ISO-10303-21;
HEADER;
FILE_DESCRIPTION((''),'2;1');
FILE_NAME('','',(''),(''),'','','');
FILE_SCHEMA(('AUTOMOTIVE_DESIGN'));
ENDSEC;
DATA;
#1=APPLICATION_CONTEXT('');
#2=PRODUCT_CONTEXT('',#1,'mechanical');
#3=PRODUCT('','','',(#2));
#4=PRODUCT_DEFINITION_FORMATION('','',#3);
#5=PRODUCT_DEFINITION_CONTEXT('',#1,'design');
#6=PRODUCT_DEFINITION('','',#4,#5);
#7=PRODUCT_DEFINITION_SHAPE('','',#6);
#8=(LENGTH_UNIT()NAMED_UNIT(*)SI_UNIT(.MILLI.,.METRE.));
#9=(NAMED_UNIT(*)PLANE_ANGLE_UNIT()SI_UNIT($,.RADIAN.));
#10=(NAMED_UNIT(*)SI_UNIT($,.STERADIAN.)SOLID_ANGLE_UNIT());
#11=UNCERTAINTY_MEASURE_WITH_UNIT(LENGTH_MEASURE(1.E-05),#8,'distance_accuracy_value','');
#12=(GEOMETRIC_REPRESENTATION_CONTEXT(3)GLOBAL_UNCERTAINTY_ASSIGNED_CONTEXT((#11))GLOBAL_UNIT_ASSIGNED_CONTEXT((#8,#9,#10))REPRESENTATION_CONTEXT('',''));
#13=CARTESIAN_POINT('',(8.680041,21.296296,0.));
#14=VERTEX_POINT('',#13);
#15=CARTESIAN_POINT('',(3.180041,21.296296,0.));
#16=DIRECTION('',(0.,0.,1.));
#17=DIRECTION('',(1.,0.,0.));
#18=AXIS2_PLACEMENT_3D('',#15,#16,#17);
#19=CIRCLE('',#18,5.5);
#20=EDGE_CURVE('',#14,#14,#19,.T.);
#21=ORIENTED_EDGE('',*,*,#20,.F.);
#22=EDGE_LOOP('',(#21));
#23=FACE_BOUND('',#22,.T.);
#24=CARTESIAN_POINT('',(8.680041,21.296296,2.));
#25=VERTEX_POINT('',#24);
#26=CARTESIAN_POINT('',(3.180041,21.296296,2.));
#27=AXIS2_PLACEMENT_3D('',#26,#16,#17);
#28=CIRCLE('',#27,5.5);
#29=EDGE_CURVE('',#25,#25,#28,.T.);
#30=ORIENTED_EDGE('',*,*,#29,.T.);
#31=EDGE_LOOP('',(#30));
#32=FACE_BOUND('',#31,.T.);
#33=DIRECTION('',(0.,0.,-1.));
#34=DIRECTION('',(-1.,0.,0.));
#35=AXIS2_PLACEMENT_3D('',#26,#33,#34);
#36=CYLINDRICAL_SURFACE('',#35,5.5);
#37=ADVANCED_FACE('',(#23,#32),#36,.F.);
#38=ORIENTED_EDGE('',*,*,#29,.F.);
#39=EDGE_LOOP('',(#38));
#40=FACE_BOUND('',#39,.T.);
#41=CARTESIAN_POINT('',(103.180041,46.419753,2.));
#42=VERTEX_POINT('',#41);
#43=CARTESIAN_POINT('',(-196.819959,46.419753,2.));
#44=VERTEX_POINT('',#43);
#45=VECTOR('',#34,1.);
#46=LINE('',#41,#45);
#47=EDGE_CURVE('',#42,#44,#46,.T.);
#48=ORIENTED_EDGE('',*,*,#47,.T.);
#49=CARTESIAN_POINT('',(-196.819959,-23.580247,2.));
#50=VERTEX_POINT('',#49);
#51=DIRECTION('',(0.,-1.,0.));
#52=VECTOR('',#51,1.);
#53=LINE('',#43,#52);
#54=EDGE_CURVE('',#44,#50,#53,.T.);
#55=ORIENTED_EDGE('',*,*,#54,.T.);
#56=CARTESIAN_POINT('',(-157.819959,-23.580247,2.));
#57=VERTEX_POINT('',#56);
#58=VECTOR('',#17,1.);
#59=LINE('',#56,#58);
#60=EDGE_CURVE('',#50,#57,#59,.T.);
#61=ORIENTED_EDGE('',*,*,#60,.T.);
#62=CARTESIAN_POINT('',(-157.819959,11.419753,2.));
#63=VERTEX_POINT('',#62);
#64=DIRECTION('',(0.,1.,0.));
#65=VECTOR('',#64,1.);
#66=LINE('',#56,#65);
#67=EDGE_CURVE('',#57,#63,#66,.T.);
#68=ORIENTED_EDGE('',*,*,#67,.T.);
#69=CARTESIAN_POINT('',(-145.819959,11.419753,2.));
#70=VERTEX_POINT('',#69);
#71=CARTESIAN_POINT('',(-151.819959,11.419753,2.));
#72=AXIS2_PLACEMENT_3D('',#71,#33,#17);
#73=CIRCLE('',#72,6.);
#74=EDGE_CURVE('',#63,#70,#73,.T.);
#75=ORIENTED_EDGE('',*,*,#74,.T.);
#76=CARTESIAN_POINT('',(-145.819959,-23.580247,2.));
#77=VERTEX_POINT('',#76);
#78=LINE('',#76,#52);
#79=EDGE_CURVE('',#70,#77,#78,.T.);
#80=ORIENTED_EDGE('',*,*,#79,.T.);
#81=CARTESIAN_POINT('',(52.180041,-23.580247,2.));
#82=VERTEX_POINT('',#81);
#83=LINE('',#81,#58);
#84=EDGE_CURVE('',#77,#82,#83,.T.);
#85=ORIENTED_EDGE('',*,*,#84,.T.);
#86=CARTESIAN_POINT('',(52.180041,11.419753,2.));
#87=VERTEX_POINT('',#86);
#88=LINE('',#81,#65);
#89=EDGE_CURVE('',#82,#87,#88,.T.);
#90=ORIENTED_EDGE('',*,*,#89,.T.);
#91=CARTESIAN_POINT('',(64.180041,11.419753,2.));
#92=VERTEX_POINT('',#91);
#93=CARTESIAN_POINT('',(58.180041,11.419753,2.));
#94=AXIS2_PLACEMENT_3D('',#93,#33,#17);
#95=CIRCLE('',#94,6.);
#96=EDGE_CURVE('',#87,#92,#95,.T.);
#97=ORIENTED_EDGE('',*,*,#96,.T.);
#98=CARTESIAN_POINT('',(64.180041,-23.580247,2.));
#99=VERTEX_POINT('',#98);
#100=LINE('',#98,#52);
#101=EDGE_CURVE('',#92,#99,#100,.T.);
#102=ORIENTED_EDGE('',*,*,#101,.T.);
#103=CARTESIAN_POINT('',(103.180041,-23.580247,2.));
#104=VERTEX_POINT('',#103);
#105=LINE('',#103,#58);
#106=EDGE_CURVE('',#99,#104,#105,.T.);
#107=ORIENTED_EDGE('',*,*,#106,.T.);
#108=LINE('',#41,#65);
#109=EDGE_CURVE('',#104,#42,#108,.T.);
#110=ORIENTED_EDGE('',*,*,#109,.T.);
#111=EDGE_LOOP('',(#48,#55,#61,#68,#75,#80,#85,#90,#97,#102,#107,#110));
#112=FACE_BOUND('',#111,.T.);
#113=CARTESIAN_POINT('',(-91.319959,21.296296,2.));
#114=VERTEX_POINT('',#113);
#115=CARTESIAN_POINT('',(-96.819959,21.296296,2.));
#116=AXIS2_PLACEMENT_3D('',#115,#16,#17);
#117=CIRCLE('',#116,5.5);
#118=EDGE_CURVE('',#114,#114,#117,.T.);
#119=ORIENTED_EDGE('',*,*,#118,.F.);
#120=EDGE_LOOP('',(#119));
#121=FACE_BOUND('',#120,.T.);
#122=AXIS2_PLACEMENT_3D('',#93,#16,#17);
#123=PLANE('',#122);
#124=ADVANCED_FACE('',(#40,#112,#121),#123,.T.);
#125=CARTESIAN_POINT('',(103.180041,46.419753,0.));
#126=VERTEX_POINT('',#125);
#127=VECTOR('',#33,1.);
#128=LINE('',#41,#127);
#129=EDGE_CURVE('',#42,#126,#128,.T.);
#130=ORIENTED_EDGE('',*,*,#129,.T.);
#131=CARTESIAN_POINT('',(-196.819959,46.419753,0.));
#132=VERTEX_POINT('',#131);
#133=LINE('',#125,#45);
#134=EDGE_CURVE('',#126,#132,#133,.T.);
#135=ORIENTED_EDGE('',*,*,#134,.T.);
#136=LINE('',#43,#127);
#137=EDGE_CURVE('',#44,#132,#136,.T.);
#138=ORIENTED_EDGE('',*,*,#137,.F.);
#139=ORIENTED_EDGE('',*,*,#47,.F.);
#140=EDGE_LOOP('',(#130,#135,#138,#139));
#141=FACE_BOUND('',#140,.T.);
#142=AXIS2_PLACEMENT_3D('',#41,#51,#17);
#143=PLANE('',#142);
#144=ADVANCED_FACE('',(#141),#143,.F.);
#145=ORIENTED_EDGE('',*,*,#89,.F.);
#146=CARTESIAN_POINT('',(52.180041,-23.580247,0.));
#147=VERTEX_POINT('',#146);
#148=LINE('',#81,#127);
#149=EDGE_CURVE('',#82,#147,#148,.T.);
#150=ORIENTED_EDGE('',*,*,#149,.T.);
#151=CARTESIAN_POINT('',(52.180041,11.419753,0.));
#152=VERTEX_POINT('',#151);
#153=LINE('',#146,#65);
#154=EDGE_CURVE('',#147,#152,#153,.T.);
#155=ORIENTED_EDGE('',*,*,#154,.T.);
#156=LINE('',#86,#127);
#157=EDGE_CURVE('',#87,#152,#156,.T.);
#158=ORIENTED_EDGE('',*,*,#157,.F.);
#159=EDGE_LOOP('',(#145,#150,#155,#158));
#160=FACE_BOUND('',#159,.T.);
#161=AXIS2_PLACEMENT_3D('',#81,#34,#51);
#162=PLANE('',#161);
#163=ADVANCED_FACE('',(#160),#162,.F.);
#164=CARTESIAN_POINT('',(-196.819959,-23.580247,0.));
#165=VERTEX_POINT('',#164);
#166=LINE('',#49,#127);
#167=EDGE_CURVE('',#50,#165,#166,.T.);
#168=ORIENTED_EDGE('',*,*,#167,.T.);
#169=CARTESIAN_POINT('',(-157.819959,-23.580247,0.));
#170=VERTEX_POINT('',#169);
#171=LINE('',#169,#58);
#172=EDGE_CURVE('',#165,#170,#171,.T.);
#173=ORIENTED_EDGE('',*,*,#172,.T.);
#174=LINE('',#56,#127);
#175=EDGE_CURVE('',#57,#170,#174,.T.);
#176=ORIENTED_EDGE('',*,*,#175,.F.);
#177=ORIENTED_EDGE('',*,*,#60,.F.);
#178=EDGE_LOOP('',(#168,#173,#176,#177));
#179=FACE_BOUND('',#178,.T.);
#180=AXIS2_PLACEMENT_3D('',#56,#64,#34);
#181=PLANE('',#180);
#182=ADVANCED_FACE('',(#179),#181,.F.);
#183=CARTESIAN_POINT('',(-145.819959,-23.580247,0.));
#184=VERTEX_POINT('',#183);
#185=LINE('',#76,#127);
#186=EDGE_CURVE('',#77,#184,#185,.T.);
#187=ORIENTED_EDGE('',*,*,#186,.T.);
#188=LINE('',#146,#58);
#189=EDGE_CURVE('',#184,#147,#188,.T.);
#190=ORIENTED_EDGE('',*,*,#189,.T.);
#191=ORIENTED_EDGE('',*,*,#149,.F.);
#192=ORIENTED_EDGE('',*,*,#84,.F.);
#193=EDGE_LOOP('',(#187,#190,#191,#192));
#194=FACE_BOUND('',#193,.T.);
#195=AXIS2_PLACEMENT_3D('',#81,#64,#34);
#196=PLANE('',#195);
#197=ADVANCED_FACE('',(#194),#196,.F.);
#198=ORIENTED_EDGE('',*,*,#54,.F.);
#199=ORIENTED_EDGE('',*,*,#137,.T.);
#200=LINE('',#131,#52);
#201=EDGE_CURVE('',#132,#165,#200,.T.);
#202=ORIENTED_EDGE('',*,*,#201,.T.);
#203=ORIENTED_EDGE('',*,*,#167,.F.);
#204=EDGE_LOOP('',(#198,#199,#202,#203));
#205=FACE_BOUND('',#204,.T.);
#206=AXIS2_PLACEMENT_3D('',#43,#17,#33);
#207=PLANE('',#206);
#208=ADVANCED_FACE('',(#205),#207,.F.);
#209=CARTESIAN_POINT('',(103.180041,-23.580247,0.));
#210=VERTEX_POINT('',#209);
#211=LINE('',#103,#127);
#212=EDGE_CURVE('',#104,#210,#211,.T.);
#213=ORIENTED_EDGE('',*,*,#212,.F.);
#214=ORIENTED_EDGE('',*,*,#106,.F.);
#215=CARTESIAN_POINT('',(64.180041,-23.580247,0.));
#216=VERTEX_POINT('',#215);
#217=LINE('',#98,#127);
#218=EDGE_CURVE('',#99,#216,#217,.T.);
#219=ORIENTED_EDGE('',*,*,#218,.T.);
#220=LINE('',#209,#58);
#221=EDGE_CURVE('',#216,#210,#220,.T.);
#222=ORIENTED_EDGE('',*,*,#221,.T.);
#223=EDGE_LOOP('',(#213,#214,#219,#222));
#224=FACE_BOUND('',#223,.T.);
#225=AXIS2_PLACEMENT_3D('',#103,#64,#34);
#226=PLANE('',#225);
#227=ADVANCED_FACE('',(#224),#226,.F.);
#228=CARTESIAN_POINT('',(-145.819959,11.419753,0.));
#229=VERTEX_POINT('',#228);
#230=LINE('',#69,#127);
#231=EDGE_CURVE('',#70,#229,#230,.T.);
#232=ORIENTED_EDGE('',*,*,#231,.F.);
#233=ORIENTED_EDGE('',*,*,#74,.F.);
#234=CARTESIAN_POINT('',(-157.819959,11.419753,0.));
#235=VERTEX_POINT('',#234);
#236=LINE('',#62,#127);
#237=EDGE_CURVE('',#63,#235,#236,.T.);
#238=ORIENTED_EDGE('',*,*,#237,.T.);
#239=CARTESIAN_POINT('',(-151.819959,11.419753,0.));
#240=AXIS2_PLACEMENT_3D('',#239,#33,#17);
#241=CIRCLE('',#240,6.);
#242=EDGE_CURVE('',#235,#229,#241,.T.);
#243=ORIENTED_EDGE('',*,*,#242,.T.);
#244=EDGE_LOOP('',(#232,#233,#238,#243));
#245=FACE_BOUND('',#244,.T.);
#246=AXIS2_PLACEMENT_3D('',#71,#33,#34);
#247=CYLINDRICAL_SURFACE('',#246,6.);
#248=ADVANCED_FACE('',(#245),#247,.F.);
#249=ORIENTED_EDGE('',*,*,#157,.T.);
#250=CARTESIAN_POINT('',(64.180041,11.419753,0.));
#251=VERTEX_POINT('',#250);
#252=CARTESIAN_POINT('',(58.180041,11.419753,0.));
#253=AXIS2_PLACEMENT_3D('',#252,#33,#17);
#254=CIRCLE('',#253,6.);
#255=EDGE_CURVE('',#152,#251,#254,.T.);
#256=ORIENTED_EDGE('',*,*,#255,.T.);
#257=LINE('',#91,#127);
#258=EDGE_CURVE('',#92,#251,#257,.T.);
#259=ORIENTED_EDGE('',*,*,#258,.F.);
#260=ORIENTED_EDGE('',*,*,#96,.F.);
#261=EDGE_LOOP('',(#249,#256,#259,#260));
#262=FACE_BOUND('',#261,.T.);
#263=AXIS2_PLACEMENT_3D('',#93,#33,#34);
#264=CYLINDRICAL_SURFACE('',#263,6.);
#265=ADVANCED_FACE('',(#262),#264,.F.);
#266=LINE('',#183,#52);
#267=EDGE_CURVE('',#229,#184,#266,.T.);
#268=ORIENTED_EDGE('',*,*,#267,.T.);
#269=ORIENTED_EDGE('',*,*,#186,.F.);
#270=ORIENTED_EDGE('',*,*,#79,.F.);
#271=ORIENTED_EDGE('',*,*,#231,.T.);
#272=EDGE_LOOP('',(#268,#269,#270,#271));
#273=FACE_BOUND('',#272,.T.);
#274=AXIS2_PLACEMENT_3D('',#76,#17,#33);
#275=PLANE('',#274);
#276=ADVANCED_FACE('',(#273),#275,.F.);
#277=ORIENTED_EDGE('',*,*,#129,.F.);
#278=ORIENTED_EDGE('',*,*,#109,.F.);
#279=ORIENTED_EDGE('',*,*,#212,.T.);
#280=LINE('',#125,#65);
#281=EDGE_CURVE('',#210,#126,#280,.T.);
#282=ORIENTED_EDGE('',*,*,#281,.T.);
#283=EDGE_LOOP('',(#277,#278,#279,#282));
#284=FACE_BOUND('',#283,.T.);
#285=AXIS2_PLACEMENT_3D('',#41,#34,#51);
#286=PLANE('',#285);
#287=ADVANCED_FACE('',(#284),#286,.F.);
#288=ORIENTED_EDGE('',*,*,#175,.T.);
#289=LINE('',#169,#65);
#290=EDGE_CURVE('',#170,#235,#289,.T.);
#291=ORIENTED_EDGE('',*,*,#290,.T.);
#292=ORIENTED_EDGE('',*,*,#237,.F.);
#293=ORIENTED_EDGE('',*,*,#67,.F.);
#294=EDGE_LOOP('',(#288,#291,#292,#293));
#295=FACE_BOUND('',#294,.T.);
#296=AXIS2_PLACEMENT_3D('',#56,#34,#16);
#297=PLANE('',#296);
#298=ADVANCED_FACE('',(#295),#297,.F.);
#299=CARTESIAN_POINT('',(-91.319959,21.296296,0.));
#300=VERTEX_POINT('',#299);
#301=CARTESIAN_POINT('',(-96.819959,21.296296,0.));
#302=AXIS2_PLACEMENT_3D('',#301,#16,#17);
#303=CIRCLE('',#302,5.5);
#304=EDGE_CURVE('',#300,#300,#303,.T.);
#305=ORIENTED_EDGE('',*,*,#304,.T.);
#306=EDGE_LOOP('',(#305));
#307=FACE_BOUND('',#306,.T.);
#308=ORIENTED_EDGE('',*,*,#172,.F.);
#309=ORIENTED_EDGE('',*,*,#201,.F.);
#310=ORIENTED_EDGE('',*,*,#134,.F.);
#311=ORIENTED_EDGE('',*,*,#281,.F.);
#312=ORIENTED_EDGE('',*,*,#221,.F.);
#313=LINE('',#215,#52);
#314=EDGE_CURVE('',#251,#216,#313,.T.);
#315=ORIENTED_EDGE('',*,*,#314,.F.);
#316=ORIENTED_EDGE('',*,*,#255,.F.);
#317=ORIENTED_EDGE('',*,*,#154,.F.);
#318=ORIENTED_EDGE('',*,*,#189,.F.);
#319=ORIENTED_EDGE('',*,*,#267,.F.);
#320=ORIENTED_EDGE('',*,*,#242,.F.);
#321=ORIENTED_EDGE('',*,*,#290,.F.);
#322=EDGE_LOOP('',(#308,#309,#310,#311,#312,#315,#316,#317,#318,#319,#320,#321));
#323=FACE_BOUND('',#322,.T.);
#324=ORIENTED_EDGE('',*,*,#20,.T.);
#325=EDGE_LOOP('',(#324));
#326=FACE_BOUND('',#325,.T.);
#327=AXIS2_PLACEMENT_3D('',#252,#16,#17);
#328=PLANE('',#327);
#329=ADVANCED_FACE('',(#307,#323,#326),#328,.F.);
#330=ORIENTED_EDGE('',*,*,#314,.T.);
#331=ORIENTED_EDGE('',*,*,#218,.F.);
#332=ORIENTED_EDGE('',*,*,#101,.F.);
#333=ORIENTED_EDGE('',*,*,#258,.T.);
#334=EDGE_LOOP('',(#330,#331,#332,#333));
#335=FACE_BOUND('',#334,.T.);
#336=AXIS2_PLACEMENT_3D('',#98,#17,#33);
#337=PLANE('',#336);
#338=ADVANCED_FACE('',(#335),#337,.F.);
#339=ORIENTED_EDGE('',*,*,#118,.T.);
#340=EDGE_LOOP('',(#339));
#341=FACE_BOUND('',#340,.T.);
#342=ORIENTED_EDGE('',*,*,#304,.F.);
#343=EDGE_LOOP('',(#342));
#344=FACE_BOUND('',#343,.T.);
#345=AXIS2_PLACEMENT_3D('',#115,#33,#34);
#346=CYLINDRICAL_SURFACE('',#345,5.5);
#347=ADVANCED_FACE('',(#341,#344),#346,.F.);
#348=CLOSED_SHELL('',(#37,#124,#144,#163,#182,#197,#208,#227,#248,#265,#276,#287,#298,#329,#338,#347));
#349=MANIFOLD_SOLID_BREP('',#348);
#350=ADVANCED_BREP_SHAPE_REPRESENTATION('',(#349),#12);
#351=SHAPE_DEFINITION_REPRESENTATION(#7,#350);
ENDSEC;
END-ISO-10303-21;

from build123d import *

# Parameters (mm, degrees)
SKETCH1_R           = 5.5
BOSS_EXTRUDE1_DEPTH = 2


with BuildPart() as part:
    # Sketch1 → Boss-Extrude1 (new body)
    with BuildSketch(Plane.XY):
        with BuildLine():
            Line((103.180041152, 46.419753086), (-196.819958848, 46.419753086))
            Line((-196.819958848, 46.419753086), (-196.819958848, -23.580246914))
            Line((-196.819958848, -23.580246914), (-157.819958848, -23.580246914))
            Line((-157.819958848, -23.580246914), (-157.819958848, 11.419753086))
            ThreePointArc((-157.819958848, 11.419753086), (-151.819958848, 17.419753086), (-145.819958848, 11.419753086))
            Line((-145.819958848, 11.419753086), (-145.819958848, -23.580246914))
            Line((-145.819958848, -23.580246914), (52.180041152, -23.580246914))
            Line((52.180041152, -23.580246914), (52.180041152, 11.419753086))
            ThreePointArc((52.180041152, 11.419753086), (58.180041152, 17.419753086), (64.180041152, 11.419753086))
            Line((64.180041152, 11.419753086), (64.180041152, -23.580246914))
            Line((64.180041152, -23.580246914), (103.180041152, -23.580246914))
            Line((103.180041152, -23.580246914), (103.180041152, 46.419753086))
        make_face()
        with Locations((-96.819958848, 21.296296296)):
            Circle(SKETCH1_R, mode=Mode.SUBTRACT)
        with Locations((3.180041152, 21.296296296)):
            Circle(SKETCH1_R, mode=Mode.SUBTRACT)
    extrude(amount=BOSS_EXTRUDE1_DEPTH)


solid = part.part
